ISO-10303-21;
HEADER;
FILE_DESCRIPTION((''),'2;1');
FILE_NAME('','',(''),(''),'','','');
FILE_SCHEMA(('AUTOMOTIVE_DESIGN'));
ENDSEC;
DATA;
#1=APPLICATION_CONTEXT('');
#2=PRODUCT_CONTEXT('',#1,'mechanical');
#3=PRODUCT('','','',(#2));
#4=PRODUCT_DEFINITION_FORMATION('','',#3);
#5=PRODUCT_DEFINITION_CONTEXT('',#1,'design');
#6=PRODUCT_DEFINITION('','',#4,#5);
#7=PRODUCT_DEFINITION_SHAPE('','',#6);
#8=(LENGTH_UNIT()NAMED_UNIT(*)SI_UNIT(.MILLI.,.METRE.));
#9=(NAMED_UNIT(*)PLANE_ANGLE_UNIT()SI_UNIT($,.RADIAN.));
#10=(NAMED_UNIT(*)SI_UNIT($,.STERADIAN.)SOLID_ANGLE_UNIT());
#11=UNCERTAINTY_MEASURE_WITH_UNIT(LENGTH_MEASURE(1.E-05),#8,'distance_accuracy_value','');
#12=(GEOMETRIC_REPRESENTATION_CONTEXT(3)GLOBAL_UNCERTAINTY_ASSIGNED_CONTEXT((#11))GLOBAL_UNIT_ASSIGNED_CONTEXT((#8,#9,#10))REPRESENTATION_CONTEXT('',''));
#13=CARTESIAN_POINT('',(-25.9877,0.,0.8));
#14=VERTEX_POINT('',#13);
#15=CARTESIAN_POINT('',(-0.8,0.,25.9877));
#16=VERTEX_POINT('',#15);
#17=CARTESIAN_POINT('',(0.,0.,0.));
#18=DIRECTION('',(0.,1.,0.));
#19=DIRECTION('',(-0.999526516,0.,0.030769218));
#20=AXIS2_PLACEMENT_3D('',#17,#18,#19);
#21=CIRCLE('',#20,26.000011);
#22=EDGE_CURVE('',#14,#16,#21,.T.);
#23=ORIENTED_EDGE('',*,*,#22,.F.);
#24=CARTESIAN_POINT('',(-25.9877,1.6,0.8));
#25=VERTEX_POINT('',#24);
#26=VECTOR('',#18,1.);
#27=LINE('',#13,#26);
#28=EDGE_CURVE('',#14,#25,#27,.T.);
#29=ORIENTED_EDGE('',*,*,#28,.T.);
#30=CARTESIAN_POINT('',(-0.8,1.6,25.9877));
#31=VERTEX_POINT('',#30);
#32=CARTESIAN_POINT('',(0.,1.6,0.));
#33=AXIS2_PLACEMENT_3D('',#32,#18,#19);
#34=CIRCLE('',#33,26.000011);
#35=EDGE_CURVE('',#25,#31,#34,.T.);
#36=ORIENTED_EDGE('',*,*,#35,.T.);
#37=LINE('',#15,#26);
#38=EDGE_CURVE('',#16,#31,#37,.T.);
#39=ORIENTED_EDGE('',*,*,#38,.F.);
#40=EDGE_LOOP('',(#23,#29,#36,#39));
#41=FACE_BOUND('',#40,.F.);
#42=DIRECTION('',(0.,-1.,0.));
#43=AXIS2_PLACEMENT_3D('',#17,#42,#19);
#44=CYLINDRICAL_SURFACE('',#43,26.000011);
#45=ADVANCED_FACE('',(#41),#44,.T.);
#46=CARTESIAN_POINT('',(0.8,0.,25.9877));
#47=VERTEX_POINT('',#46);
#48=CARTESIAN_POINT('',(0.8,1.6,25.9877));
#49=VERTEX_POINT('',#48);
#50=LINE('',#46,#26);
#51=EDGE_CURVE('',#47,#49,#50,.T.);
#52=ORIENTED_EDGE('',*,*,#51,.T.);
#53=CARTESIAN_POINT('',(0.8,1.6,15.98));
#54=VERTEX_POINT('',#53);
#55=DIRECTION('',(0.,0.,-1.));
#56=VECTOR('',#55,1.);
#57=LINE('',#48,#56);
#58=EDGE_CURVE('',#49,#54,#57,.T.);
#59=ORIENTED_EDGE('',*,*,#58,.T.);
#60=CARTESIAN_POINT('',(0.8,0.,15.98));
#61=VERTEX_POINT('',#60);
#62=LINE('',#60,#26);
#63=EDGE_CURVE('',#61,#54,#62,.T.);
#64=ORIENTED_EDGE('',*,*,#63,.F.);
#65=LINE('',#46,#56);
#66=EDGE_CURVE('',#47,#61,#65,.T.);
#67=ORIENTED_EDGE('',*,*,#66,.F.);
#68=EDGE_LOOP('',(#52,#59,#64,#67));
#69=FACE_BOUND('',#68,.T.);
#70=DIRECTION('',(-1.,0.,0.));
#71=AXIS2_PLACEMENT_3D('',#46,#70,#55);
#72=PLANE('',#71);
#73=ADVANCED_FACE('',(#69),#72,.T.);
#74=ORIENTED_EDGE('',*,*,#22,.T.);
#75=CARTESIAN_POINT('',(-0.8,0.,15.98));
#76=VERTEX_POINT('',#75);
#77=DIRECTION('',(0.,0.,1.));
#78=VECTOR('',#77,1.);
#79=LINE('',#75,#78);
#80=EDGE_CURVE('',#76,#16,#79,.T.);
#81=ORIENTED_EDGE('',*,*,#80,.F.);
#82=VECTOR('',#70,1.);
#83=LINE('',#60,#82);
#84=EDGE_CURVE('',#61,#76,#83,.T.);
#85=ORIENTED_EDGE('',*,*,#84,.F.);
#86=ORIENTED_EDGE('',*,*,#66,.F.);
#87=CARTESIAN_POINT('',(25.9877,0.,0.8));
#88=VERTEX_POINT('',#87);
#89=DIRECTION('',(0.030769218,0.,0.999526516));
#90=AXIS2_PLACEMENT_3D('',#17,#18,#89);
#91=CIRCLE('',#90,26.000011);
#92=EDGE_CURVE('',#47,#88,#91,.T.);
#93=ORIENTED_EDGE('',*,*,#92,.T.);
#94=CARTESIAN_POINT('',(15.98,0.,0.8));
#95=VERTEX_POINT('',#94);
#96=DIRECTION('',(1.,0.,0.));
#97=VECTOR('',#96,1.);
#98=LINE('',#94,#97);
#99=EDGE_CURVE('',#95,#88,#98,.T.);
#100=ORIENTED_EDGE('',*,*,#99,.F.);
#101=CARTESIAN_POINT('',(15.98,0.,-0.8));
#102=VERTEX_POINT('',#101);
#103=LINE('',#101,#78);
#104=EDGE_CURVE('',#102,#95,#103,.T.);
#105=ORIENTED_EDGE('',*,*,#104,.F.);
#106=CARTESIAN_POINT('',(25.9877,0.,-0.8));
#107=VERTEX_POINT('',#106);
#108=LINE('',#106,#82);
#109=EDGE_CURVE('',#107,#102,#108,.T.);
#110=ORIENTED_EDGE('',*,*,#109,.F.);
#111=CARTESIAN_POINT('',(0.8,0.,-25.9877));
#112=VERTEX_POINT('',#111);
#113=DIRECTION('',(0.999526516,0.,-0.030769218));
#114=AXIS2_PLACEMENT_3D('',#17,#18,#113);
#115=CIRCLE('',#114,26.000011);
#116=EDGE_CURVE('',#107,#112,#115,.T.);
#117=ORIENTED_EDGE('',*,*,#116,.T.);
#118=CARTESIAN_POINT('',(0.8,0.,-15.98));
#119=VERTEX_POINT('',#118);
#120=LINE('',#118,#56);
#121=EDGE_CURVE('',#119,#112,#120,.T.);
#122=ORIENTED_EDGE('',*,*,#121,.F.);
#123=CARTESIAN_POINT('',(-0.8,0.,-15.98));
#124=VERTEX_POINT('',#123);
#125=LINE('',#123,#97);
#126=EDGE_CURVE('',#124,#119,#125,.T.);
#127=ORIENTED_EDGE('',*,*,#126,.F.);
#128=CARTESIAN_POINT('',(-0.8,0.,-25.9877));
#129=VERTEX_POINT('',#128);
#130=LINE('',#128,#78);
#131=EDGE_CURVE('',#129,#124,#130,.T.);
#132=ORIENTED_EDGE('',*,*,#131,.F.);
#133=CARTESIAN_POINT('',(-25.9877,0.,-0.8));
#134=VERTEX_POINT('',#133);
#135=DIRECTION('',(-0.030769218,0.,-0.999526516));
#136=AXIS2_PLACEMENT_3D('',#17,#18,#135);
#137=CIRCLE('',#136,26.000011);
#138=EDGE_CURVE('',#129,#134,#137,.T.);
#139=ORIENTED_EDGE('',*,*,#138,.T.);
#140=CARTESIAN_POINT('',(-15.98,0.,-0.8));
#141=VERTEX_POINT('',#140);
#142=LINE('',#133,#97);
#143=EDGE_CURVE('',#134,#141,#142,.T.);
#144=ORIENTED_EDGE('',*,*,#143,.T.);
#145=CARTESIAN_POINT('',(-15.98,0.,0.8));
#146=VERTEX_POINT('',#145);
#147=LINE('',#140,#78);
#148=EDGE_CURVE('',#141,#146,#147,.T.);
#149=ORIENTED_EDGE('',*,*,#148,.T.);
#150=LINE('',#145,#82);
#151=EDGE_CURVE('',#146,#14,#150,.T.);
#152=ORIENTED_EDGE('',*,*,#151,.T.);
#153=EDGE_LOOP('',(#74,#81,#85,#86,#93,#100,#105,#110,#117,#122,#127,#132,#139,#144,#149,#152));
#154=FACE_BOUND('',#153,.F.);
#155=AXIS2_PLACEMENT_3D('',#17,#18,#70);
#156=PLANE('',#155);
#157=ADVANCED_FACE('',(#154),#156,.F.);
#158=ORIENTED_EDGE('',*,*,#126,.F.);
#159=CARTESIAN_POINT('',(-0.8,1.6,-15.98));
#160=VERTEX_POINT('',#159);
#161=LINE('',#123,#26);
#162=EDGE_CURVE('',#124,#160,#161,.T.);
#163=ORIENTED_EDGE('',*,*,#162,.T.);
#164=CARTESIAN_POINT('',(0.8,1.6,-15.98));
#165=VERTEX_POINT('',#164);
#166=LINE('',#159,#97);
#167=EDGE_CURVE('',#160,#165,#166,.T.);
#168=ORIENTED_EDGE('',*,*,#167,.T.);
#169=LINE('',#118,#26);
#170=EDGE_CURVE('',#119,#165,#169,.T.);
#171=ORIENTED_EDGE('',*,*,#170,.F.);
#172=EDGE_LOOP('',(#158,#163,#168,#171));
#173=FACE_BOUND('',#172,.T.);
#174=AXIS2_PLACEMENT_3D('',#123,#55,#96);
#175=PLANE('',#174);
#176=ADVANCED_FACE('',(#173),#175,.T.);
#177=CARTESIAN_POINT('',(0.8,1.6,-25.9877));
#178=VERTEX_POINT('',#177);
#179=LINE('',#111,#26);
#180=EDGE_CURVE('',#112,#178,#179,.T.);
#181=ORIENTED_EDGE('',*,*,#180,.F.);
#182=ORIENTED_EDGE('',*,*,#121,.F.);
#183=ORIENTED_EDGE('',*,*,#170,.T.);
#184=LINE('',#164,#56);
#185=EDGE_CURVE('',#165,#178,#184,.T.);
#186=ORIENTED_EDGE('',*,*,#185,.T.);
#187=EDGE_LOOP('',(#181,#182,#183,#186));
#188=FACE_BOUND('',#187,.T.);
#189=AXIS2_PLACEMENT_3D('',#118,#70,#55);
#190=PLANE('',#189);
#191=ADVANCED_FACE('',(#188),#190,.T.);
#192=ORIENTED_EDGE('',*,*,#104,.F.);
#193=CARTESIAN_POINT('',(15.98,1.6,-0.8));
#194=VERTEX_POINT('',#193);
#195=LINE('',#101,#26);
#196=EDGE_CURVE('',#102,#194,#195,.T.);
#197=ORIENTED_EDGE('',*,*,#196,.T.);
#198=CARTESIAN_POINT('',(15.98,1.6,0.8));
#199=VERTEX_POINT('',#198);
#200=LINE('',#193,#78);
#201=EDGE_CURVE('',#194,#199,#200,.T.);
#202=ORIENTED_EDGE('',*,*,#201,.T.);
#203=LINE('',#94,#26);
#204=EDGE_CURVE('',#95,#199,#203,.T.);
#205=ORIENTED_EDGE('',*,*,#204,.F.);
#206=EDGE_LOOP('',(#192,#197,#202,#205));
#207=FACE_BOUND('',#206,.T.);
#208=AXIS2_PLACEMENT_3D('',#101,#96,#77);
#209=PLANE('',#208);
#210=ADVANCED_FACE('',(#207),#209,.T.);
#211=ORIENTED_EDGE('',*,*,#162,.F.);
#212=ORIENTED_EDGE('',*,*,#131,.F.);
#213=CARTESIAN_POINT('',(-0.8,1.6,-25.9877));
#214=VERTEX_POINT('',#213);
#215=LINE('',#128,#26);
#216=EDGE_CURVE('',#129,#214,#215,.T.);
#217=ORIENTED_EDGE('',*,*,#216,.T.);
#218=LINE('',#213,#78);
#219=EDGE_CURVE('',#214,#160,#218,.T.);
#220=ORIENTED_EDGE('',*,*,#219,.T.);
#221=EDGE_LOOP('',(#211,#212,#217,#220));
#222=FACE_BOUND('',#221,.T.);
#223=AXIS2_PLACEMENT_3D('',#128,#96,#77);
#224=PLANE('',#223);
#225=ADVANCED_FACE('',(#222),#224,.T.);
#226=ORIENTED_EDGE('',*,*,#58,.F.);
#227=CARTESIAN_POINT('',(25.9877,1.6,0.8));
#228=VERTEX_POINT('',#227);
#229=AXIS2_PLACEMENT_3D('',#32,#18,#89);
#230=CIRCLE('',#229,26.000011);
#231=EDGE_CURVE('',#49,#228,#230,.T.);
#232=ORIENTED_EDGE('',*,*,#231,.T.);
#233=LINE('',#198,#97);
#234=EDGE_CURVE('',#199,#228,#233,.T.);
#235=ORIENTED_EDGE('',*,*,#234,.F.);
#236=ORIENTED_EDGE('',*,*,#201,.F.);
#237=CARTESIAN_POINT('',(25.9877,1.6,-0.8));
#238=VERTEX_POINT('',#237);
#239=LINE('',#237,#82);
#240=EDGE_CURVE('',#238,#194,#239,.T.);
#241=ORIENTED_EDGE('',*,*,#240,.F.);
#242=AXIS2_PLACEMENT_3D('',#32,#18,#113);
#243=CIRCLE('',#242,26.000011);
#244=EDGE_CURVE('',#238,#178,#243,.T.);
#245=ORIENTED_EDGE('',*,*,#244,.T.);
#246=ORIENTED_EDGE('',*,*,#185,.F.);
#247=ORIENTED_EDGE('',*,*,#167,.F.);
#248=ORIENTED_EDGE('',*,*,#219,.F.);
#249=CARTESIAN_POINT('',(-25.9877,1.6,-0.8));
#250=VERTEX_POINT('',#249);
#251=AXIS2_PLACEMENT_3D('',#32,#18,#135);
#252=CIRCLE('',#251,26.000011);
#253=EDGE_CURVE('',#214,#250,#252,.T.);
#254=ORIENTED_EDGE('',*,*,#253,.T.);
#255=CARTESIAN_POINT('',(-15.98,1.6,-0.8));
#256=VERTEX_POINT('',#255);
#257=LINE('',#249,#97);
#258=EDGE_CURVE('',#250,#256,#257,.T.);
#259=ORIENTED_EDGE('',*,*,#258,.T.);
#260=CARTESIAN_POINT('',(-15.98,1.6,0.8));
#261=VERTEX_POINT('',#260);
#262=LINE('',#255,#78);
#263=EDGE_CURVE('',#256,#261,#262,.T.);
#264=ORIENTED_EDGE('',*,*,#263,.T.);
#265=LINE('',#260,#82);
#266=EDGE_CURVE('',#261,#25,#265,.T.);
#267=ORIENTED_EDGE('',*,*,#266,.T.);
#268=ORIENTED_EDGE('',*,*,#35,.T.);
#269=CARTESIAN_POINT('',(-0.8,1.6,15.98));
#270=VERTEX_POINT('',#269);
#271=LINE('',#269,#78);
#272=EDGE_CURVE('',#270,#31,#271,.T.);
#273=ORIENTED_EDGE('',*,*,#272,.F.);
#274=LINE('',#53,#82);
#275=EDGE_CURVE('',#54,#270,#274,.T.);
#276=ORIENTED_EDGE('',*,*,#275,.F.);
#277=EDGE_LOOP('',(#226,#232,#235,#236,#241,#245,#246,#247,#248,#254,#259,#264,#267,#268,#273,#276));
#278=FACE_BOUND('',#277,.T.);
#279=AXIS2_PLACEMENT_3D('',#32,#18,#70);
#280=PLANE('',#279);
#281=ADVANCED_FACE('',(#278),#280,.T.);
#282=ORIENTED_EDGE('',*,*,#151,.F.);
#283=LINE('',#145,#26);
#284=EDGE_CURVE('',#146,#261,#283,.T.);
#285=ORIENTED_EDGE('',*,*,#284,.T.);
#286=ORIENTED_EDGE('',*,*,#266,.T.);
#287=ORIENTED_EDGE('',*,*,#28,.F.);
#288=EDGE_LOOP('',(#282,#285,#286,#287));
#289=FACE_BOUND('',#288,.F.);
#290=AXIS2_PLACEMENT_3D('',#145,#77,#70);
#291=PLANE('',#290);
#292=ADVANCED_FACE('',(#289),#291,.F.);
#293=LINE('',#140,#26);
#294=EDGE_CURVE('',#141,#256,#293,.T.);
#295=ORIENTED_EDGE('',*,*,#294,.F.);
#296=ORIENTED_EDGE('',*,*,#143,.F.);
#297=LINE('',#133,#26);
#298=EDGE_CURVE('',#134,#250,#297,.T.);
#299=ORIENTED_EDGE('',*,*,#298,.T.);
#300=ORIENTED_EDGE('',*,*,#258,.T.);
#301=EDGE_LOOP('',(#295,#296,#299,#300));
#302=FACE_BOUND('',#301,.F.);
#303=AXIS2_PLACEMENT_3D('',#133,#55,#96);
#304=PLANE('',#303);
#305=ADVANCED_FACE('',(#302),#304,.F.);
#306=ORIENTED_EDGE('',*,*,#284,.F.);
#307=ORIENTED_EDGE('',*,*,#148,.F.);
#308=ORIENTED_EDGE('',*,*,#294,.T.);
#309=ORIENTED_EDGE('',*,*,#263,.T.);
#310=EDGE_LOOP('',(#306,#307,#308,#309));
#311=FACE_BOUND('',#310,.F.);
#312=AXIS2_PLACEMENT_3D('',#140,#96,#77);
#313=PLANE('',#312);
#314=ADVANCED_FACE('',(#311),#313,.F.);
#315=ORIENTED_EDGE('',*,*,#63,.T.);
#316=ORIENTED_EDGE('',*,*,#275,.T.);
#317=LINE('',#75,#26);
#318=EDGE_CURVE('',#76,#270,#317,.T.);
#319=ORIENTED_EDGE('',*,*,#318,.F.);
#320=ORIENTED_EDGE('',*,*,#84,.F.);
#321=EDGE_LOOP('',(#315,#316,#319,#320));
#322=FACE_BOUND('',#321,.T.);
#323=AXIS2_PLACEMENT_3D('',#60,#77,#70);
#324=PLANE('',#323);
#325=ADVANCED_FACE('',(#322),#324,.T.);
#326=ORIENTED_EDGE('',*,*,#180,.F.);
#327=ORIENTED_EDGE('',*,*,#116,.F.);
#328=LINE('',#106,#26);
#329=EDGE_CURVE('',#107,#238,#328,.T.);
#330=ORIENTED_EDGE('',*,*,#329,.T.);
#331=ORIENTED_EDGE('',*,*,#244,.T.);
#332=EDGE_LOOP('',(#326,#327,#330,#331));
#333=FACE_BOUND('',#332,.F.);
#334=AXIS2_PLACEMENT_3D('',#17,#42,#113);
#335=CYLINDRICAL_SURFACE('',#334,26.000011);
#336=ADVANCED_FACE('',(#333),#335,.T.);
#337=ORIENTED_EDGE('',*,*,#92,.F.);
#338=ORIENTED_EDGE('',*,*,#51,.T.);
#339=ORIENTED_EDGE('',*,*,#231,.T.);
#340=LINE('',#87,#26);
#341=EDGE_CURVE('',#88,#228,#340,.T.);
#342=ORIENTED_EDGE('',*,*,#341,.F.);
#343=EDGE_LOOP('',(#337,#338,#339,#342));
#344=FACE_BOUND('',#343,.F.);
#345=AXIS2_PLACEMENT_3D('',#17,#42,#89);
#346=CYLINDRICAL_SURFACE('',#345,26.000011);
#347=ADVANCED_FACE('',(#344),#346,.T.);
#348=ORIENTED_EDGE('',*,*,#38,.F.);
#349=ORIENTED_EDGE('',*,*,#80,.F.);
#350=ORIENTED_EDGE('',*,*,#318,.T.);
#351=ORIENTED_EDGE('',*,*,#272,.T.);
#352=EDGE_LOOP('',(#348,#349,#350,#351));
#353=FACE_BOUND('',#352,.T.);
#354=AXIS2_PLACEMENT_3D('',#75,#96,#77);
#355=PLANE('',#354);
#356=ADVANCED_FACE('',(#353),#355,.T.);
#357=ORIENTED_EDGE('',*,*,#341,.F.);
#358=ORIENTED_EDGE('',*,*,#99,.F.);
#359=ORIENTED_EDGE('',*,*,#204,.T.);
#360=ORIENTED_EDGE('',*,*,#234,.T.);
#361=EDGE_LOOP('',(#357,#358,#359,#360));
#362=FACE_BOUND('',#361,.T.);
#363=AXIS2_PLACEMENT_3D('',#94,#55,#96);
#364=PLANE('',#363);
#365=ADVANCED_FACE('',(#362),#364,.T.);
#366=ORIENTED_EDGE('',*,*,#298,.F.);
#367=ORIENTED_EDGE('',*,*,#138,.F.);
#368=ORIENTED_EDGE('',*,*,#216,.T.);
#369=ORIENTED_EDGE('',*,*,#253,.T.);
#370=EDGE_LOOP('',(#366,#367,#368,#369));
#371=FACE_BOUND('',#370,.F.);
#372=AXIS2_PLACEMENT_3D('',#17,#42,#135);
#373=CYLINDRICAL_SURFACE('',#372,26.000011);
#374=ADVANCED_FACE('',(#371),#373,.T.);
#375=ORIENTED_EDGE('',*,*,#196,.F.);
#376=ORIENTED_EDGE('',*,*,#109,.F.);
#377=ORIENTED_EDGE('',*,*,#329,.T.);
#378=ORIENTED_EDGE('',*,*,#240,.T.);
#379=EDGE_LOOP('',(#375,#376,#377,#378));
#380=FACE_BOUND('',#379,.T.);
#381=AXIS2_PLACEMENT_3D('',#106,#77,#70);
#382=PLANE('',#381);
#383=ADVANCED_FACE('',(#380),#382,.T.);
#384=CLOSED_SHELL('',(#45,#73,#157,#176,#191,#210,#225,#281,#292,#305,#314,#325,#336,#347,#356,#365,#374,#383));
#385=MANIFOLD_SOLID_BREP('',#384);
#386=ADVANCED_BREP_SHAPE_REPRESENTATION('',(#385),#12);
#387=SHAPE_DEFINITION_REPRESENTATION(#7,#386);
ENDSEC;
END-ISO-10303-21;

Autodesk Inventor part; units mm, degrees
ref_plane "YZ Plane" through (0, 0, 0) normal (1, 0, 0) x (0, 1, 0)
ref_plane "XZ Plane" through (0, 0, 0) normal (0, 1, 0) x (-1, 0, 0)
ref_plane "XY Plane" through (0, 0, 0) normal (0, 0, 1) x (1, 0, 0)
sketch "Sketch1" plane through (0, 0, 0) normal (0, 1, 0) x (-1, 0, 0)
  point P0 (0, 0)
sketch "Sketch2" plane through (0, 0, 0) normal (0, 1, 0) x (-1, 0, 0)
  line L0 (46.5779, 0.8) -> (15.98, 0.8) construction
  line L1 (47.5028, -0.8) -> (-15.98, -0.8) construction
  line L2 (0.8, 38.8593) -> (0.8, 25.9877) construction
  line L3 (-0.8, 36.7319) -> (-0.8, -46.7895) construction
  arc A0 (15.98, 0.8) -> (0.8, 15.98) centre (0, 0) ccw construction
  arc A1 (-0.8, 15.98) -> (-15.98, 0.8) centre (0, 0) ccw construction
  line L4 (0.8, 25.9877) -> (0.8, -15.98) construction
  arc A2 (-0.8, 25.9877) -> (-25.9877, 0.8) centre (0, 0) ccw
  line L5 (0.8, -15.98) -> (0.8, -47.3445) construction
  arc A3 (0.8, -25.9877) -> (25.9877, -0.8) centre (0, 0) ccw
  arc A4 (25.9877, 0.8) -> (0.8, 25.9877) centre (0, 0) ccw
  line L6 (15.98, 0.8) -> (-25.9877, 0.8) construction
  line L7 (-15.98, -0.8) -> (-25.9877, -0.8) construction
  line L8 (-25.9877, 0.8) -> (-44.4844, 0.8) construction
  line L9 (-25.9877, -0.8) -> (-44.0655, -0.8) construction
  arc A5 (-25.9877, -0.8) -> (-0.8, -25.9877) centre (0, 0) ccw
  arc A6 (-15.98, -0.8) -> (-0.8, -15.98) centre (0, 0) ccw construction
  arc A7 (0.8, -15.98) -> (15.98, -0.8) centre (0, 0) ccw construction
  circle A8 centre (0, 0) radius 16 construction
  circle A9 centre (0, 0) radius 26 construction
  line L10 (25.9877, -0.8) -> (15.98, -0.8)
  line L11 (15.98, -0.8) -> (15.98, 0.8)
  line L12 (15.98, 0.8) -> (25.9877, 0.8)
  line L13 (0.8, -25.9877) -> (0.8, -15.98)
  line L14 (0.8, -15.98) -> (-0.8, -15.98)
  line L15 (-0.8, -15.98) -> (-0.8, -25.9877)
  line L16 (-25.9877, -0.8) -> (-15.98, -0.8)
  line L17 (-15.98, -0.8) -> (-15.98, 0.8)
  line L18 (-15.98, 0.8) -> (-25.9877, 0.8)
  line L19 (-0.8, 25.9877) -> (-0.8, 15.98)
  line L20 (-0.8, 15.98) -> (0.8, 15.98)
  line L21 (0.8, 15.98) -> (0.8, 25.9877)
  dimension "d2" = 0.8
  dimension "d3" = 0.8
  dimension "d4" = 0.8
  dimension "d5" = 0.8
  dimension "d6" = 32
  dimension "d7" = 0
  dimension "d8" = 0
  dimension "d9" = 52
  dimension "d10" = 0
  dimension "d11" = 0
  dimension "d12" = 0
extrude "Extrusion1" add sketch "Sketch2" along normal blind 1.6
equation "\"d3\" = d2"
equation "\"d4\" = d2"
equation "\"d5\" = d2"
properties part number "standin_hub"
